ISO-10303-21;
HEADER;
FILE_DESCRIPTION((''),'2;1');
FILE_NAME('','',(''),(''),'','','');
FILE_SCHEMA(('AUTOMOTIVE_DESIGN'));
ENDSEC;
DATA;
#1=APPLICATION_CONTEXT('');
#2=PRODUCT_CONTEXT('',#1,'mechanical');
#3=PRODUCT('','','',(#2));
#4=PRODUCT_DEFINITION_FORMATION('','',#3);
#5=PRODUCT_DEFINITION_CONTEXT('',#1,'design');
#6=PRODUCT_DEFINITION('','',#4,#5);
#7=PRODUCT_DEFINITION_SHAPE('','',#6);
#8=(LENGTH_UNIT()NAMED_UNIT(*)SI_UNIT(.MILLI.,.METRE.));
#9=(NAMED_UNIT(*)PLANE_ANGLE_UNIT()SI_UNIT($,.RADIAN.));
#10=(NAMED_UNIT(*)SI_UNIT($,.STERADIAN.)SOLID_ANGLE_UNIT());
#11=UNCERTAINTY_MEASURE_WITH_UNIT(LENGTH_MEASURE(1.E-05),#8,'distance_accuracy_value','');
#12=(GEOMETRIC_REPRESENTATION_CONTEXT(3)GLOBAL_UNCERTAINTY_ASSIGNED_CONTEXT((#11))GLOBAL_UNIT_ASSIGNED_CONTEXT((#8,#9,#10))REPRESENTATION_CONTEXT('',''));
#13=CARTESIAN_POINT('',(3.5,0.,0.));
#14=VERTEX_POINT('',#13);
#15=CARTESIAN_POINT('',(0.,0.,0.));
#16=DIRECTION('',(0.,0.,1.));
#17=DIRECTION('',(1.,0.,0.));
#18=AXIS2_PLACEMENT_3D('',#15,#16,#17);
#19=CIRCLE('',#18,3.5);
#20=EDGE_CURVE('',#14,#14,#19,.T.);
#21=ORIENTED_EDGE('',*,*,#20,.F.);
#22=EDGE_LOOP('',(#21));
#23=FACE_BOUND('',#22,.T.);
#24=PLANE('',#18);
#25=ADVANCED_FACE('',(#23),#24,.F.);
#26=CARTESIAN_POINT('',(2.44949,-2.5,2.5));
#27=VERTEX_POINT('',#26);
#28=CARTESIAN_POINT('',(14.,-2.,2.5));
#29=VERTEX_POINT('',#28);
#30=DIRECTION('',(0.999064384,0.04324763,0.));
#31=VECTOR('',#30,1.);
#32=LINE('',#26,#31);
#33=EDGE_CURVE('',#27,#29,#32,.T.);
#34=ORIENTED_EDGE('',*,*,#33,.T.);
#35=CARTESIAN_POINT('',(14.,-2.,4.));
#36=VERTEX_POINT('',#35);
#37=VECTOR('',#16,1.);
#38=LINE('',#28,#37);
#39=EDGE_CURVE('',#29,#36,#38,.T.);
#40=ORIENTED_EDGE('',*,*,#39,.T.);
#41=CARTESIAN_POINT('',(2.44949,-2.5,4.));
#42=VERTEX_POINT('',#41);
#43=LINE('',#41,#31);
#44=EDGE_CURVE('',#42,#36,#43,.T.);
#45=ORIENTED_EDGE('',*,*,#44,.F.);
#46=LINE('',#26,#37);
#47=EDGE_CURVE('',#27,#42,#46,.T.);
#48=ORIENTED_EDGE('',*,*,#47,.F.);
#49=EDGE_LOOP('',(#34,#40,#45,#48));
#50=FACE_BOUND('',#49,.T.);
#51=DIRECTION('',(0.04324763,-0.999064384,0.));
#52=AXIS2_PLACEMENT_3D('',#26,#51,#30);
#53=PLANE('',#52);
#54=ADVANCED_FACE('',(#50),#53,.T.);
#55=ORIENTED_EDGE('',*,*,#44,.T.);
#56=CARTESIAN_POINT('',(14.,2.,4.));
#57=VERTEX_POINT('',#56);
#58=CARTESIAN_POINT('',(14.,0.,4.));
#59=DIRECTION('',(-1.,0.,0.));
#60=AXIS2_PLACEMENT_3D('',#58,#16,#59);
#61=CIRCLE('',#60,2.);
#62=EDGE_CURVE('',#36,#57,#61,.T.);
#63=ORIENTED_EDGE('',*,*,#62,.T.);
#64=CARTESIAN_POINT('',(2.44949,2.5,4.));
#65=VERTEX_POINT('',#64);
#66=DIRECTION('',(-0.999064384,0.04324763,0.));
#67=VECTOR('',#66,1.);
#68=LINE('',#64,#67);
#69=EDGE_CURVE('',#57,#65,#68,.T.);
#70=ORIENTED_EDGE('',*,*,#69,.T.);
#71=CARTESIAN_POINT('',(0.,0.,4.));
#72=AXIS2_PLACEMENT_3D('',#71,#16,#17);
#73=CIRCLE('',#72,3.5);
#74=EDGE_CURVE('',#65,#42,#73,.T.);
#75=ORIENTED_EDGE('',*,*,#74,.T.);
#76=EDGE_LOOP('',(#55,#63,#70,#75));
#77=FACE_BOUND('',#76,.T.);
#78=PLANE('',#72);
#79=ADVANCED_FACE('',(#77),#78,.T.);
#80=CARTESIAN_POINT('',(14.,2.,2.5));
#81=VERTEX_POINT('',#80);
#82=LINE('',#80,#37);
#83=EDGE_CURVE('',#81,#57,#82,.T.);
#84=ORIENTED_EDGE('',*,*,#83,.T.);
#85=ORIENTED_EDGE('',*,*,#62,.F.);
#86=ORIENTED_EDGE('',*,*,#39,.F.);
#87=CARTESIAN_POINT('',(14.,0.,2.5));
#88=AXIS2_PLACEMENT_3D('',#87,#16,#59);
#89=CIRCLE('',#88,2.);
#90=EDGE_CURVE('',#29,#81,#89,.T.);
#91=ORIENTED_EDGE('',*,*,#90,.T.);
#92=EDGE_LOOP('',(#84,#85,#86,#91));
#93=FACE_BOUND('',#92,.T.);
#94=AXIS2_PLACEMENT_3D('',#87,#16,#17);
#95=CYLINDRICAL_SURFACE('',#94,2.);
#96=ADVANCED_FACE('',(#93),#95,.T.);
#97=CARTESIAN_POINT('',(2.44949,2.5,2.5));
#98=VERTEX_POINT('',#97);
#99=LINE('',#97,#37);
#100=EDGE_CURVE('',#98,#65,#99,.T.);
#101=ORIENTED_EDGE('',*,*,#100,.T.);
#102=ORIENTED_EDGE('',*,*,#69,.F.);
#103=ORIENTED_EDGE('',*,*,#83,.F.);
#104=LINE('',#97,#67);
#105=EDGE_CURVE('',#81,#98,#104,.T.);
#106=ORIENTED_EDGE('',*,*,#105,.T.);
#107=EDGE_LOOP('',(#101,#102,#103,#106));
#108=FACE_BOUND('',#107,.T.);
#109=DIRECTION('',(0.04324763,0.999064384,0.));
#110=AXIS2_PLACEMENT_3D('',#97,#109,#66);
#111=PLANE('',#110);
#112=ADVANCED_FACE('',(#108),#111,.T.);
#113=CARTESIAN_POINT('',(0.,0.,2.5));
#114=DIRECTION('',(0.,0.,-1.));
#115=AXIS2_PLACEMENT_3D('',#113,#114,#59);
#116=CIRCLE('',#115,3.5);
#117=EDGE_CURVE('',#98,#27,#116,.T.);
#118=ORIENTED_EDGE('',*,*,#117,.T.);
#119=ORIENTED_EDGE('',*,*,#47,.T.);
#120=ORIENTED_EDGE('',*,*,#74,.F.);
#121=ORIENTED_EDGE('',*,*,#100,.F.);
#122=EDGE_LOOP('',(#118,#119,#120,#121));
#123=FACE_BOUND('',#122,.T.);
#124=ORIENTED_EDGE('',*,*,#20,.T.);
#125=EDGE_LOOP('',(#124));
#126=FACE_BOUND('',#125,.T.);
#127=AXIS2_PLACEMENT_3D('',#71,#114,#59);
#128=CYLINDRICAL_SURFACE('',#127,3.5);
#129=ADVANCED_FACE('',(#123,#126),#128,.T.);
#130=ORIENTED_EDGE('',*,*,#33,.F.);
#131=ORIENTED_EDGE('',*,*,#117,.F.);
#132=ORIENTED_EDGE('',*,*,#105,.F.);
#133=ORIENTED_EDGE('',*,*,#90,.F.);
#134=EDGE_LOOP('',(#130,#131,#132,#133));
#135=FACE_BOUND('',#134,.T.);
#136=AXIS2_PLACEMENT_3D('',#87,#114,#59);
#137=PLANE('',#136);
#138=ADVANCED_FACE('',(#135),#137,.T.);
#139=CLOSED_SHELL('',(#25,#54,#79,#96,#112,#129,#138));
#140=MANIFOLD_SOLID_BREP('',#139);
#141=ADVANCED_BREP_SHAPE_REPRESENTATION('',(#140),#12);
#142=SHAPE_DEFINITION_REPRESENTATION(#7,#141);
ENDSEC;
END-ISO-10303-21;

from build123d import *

# Parameters (mm, degrees)
SKETCH_1_R      = 3.5
EXTRUDE_1_DEPTH = 4
EXTRUDE_2_DEPTH = 1.5


with BuildPart() as part:
    # 草图1 → 凸台-拉伸1 (new body)
    with BuildSketch(Plane.XY):
        Circle(SKETCH_1_R)
    extrude(amount=EXTRUDE_1_DEPTH)

    # 草图2 → 凸台-拉伸2 (add)
    with BuildSketch(Plane.XY.offset(4)):
        with BuildLine():
            Line((2.449489743, 2.5), (14, 2))
            ThreePointArc((14, 2), (16, 0), (14, -2))
            Line((14, -2), (2.449489743, -2.5))
            Line((2.449489743, -2.5), (2.449489743, 2.5))
        make_face()
    extrude(amount=-EXTRUDE_2_DEPTH)


solid = part.part
